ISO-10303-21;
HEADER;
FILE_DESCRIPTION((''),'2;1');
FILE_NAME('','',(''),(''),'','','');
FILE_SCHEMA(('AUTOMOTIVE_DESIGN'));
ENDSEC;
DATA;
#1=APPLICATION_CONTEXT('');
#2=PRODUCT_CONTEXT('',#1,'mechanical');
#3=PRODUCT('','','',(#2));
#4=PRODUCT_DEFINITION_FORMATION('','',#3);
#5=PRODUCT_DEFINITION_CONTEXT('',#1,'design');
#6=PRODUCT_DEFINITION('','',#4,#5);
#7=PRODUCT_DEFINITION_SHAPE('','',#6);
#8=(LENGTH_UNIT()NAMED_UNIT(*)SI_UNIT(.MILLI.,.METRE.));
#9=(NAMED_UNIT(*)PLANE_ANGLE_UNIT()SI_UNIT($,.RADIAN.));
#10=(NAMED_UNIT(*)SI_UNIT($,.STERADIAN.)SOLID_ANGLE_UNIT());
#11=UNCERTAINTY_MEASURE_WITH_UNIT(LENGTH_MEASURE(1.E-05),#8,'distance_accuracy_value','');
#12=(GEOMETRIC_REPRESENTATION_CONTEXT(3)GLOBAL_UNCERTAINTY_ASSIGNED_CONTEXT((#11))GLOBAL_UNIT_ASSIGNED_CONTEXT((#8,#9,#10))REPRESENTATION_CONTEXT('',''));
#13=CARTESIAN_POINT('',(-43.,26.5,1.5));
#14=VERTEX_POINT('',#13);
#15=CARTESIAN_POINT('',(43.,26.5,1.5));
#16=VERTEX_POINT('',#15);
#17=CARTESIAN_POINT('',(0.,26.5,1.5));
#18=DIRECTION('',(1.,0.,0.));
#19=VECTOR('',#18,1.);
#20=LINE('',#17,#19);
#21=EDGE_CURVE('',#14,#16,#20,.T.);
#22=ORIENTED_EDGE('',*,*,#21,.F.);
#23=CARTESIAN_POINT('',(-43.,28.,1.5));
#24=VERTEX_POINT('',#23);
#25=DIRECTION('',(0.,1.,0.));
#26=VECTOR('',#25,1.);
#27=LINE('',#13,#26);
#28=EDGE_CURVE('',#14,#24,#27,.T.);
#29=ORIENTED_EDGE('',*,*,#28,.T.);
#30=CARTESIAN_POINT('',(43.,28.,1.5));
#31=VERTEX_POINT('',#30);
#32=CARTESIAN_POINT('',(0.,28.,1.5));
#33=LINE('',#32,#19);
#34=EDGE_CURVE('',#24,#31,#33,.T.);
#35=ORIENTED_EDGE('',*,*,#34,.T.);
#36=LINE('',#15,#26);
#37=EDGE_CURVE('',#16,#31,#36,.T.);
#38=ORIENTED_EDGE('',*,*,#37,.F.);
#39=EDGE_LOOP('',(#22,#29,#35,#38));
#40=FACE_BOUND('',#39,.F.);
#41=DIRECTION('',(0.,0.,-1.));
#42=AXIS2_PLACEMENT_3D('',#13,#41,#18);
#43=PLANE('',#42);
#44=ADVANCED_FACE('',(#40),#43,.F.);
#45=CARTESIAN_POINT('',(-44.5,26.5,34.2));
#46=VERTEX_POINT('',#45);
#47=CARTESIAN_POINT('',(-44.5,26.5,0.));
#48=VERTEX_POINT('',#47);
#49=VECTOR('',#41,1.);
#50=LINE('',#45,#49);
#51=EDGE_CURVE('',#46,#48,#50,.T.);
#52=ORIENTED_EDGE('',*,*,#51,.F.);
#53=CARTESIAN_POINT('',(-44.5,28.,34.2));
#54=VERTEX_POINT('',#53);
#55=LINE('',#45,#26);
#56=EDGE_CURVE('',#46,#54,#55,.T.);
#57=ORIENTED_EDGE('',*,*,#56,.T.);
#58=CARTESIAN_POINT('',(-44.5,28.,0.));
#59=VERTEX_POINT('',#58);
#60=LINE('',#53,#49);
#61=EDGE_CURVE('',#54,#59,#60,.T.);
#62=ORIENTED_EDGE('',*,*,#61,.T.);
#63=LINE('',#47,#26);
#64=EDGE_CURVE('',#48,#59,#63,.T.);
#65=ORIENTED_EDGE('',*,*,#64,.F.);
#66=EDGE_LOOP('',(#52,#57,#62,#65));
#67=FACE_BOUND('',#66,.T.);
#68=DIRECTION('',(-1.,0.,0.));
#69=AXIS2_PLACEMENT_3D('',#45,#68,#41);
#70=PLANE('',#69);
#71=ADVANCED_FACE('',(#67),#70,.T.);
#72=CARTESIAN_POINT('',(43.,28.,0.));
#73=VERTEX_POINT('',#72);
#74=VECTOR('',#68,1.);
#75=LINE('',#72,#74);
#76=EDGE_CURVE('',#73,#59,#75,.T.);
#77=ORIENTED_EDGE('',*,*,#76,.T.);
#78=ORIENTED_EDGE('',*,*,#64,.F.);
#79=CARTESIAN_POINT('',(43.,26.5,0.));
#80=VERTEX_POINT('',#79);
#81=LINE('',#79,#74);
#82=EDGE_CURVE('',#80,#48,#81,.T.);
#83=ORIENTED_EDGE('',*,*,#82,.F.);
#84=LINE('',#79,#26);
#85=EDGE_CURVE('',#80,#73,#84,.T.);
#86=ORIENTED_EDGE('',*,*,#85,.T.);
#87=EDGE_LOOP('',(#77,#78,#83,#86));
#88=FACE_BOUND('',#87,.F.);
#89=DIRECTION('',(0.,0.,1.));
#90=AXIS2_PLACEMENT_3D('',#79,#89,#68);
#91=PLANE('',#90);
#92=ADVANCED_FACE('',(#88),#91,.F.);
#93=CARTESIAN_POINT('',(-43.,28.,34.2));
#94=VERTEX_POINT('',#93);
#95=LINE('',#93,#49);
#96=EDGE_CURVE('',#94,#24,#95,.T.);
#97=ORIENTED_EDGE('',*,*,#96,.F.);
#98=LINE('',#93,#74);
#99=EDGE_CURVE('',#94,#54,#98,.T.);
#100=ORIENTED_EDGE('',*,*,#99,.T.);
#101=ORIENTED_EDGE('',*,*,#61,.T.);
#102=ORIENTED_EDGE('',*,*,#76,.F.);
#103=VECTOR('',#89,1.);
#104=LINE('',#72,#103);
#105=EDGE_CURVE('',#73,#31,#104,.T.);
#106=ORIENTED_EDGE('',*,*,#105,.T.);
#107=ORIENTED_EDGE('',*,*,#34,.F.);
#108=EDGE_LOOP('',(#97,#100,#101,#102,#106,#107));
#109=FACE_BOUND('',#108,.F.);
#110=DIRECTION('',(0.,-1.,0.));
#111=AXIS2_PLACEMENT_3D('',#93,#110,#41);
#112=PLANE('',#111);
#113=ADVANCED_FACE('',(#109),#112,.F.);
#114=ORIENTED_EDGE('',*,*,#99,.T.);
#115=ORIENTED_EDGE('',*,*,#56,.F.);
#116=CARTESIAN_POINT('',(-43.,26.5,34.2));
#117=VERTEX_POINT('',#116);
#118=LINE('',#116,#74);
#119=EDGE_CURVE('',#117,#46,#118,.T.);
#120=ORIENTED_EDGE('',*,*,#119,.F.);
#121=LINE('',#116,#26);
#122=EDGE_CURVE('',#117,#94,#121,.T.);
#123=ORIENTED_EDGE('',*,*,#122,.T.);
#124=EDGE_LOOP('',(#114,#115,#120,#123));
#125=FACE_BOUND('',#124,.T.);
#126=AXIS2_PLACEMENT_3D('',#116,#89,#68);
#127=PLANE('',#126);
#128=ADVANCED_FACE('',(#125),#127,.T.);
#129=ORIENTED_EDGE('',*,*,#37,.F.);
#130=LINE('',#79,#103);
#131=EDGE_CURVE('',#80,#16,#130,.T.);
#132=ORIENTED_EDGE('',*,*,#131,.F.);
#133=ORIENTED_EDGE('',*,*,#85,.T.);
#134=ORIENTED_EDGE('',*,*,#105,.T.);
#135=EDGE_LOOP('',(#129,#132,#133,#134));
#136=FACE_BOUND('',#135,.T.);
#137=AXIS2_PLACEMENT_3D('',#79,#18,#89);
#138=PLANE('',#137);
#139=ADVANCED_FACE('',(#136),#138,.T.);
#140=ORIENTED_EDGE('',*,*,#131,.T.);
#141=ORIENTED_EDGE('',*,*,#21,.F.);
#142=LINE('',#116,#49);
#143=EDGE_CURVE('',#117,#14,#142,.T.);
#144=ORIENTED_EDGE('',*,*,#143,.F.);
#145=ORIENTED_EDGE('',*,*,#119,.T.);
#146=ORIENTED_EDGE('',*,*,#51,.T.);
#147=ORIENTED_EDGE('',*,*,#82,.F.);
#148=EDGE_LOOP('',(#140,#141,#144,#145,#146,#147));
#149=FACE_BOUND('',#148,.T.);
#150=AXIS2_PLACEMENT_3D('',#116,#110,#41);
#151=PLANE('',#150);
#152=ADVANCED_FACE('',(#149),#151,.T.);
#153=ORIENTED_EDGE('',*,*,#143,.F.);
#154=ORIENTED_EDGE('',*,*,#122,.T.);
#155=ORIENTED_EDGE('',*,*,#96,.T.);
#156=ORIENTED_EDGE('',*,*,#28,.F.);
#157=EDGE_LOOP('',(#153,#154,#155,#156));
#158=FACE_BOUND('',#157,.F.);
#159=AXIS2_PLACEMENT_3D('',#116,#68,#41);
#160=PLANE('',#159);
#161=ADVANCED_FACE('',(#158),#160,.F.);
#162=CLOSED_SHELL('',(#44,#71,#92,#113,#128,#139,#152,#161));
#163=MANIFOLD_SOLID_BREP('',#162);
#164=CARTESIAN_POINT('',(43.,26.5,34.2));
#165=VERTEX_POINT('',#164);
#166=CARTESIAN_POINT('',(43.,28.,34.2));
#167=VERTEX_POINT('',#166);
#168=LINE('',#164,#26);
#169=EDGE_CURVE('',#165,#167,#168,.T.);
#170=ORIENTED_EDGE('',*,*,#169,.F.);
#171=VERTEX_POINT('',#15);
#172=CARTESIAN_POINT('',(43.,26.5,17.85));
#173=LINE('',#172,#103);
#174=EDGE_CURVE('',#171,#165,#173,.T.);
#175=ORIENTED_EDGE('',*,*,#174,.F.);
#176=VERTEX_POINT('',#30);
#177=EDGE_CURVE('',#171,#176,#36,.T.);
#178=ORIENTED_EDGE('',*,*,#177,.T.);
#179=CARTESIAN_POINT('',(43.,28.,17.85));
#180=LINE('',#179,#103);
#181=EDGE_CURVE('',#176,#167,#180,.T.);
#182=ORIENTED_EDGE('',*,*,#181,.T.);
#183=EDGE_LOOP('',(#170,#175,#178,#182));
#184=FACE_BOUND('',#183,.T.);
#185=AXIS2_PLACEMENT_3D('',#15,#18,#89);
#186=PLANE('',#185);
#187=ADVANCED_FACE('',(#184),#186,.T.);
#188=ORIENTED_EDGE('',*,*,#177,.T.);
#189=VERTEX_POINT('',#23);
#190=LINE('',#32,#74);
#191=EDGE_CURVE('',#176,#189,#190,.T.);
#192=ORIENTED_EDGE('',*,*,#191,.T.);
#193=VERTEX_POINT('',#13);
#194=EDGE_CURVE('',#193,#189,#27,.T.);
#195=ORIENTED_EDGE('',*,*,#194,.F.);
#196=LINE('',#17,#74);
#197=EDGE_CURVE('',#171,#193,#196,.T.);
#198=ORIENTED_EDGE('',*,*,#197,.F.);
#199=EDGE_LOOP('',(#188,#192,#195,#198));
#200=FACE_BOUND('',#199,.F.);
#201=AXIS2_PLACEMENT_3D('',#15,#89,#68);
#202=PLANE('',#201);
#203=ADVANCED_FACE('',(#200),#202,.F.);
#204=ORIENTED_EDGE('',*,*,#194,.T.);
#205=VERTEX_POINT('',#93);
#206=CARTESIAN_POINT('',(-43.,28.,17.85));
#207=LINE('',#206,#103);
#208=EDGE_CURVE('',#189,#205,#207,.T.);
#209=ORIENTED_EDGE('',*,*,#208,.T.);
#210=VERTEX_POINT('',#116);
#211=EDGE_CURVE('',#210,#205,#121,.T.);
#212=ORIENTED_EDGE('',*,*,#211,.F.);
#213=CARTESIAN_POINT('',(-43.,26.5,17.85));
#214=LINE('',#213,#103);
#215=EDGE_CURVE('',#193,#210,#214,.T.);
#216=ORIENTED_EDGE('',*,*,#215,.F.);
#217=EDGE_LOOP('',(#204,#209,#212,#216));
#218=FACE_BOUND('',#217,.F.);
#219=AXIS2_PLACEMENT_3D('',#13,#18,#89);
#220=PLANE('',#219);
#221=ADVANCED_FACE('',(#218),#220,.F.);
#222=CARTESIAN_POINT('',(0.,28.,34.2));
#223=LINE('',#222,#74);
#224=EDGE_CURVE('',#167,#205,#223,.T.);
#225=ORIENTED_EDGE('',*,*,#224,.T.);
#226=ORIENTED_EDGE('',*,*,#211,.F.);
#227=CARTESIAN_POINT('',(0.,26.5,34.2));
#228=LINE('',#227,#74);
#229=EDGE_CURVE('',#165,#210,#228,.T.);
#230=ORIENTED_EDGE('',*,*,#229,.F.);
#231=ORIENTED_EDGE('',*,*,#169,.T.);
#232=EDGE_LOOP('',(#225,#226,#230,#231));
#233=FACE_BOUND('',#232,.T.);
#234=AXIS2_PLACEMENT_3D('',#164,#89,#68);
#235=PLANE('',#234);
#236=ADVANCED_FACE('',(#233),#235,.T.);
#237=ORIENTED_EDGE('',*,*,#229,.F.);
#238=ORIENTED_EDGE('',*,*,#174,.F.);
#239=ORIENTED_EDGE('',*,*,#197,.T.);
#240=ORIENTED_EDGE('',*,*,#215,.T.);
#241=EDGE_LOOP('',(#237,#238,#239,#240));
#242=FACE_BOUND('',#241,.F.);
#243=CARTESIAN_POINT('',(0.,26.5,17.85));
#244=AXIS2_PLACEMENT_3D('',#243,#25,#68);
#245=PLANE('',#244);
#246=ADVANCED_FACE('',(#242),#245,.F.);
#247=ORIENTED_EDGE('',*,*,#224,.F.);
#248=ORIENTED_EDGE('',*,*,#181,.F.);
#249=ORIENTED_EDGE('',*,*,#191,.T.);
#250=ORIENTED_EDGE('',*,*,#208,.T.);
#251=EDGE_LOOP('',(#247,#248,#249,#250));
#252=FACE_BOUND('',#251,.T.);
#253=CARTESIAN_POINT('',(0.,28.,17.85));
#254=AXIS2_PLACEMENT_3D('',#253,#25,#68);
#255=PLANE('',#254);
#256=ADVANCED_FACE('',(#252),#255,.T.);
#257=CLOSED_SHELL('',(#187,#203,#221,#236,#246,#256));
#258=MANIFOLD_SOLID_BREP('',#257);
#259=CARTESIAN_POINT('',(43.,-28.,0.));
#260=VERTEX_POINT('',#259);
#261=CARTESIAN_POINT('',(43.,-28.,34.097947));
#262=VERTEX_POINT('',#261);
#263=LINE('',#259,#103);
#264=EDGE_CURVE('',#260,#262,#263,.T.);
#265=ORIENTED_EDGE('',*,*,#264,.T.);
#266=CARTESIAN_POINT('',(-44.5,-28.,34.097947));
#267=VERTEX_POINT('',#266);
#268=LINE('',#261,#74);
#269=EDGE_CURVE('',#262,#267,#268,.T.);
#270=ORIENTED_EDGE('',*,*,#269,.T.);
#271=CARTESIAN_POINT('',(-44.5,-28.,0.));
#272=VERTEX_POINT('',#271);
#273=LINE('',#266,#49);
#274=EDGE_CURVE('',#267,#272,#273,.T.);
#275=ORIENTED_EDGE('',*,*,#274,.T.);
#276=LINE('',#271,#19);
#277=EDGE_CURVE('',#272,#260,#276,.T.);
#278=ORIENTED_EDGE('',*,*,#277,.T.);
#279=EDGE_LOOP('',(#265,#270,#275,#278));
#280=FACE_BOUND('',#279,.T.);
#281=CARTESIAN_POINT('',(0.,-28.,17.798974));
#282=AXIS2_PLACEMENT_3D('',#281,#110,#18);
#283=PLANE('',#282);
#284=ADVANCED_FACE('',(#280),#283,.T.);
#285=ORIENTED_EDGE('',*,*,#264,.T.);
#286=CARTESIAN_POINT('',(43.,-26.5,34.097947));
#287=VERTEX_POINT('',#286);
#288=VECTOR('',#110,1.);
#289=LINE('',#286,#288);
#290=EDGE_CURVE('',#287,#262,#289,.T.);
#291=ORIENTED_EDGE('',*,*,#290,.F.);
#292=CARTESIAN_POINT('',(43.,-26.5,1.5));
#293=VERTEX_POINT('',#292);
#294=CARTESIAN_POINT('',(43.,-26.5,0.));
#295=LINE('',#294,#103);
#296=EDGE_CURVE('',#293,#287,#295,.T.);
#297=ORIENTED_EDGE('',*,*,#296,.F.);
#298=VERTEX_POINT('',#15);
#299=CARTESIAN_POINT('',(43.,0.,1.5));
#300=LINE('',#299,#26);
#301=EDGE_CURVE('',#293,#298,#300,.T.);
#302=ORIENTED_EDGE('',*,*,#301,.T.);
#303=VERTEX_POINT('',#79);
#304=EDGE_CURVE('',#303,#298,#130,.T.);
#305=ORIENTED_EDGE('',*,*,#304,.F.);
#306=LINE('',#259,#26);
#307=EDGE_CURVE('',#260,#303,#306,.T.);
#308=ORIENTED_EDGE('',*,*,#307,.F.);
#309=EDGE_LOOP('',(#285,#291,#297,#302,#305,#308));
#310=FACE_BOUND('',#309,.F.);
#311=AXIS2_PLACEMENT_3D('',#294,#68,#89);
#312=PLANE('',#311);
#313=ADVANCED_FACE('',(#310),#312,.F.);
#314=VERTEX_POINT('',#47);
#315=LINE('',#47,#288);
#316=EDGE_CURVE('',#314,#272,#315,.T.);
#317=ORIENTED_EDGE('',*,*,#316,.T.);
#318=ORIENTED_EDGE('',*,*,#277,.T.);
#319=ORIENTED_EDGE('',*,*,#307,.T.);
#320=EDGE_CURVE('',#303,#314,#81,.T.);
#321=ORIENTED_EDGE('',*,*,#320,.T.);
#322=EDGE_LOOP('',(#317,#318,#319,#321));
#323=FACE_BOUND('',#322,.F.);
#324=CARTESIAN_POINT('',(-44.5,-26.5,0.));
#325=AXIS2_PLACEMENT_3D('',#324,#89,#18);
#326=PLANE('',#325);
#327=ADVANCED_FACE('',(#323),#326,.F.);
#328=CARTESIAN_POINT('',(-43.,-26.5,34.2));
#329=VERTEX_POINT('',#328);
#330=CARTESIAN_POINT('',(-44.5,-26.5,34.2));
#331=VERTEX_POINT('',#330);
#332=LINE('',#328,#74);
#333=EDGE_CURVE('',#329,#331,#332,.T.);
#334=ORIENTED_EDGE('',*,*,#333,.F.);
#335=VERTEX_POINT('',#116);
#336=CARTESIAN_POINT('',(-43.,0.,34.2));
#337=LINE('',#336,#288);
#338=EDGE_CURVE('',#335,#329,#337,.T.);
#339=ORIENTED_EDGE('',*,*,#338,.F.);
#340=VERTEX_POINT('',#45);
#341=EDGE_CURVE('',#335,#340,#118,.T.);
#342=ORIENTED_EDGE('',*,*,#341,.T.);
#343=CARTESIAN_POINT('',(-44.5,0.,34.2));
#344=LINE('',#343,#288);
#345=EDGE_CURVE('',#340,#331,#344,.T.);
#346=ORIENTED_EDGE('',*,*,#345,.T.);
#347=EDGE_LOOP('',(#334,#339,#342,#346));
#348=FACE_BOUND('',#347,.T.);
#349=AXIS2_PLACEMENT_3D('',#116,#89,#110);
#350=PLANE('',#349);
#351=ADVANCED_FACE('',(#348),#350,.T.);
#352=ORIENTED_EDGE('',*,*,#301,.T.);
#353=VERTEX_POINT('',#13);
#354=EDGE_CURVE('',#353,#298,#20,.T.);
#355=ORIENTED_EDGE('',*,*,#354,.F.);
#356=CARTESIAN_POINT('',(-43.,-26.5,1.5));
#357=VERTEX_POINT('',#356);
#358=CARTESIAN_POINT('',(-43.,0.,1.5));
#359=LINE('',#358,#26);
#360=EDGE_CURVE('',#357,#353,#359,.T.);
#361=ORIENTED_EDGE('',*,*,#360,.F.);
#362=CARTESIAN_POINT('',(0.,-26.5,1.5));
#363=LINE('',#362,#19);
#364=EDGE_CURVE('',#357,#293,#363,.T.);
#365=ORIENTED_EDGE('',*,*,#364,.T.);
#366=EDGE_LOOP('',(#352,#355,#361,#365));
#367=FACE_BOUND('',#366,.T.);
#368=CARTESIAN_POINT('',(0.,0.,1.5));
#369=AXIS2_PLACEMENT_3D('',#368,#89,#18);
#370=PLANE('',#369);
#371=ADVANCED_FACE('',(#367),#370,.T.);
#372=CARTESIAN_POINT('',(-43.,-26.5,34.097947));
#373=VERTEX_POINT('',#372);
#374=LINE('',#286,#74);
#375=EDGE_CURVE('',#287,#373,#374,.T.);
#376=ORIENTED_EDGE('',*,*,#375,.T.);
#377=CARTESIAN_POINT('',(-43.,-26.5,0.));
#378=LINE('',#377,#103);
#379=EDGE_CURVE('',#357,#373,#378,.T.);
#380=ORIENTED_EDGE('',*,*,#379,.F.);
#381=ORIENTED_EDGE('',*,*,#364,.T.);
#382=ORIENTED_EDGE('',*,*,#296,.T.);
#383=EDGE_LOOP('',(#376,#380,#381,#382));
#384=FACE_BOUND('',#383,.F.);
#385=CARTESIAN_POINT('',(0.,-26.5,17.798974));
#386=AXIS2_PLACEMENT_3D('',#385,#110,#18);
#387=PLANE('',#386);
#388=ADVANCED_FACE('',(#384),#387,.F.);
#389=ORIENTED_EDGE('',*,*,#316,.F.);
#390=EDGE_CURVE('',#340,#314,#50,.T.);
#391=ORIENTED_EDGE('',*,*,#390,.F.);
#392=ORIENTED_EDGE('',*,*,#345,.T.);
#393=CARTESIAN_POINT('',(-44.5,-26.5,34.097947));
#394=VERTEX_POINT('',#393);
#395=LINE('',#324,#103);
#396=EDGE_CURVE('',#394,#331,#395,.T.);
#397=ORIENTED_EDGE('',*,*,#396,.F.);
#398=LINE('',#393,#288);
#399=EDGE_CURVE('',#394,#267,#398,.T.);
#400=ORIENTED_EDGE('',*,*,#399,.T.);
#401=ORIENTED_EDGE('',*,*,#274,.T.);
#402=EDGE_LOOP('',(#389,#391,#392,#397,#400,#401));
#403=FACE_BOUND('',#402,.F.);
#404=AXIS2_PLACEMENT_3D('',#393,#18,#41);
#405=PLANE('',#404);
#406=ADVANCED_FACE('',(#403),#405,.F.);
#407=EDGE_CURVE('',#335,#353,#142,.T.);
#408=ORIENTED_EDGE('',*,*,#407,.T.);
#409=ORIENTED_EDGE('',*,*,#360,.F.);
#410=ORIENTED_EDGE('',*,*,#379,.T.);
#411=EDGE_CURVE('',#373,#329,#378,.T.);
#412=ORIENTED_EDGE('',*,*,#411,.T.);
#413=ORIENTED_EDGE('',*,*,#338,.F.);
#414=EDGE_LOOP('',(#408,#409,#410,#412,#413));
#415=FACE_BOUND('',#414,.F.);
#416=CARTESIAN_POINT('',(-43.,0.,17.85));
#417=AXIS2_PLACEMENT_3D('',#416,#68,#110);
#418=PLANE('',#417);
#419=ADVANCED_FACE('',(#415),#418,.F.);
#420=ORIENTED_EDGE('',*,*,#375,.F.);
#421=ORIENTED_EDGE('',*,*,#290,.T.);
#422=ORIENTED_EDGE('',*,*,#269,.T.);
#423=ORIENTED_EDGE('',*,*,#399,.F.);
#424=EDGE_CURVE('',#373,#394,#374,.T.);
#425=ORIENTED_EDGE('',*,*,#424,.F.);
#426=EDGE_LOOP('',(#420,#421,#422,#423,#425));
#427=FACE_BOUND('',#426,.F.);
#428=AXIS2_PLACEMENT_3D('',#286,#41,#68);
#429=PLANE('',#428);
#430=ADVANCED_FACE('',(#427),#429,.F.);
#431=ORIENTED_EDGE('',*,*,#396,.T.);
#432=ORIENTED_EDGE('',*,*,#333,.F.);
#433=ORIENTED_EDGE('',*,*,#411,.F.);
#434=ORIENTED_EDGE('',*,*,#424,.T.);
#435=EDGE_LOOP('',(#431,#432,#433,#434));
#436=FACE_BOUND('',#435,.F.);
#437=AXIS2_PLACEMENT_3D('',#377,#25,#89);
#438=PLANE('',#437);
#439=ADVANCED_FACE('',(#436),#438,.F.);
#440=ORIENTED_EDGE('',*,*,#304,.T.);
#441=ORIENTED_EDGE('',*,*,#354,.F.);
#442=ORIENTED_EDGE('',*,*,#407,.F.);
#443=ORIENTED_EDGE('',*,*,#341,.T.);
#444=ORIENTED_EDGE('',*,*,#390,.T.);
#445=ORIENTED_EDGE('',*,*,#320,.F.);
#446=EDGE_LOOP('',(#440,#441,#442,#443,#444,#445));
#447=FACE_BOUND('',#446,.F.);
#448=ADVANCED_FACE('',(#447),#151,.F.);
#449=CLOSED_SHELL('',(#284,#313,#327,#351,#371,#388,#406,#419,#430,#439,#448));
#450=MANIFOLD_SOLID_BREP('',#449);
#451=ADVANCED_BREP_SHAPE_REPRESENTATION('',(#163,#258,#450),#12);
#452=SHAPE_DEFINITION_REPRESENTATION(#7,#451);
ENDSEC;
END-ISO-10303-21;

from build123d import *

# Parameters (mm, degrees)
F0_W     = 86
F0_H     = 53
F1_DEPTH = 1.5
F2_W     = 53
F2_H     = 32.7
F2_H_2   = 1.5
F3_DEPTH = 1.5
F4_W     = 86
F4_H     = 32.7
F5_DEPTH = 1.5
F6_DEPTH = 1.5
F7_W     = 86
F7_H     = 32.5979471803
F8_DEPTH = 1.5


with BuildPart() as f1:
    # F0 (on Top) → F1 (new body)
    with BuildSketch(Plane.XY):
        Rectangle(F0_W, F0_H)
    extrude(amount=F1_DEPTH)

    # F2 (on face) → F3 (join)
    with BuildSketch(Plane(origin=(-43, 0, 0), x_dir=(0, -1, 0), z_dir=(-1, 0, 0))):
        with Locations((0, 17.85)):
            Rectangle(F2_W, F2_H)
        with Locations((0, 0.75)):
            Rectangle(F2_W, F2_H_2)
    extrude(amount=F3_DEPTH)


with BuildPart() as f5:
    # F4 (on face) → F5 (new body)
    with BuildSketch(Plane(origin=(0, 26.5, 0), x_dir=(-1, 0, 0), z_dir=(0, 1, 0))):
        with Locations((0, 17.85)):
            Rectangle(F4_W, F4_H)
    extrude(amount=F5_DEPTH)


with BuildPart() as f6:
    # F6 (new): a face of the model
    f6_faces = [f1.part.faces().sort_by_distance(p)[0] for p in [
        (42.0605379199, 26.5, 0.75),
    ]]
    extrude(f6_faces, amount=F6_DEPTH)


with BuildPart() as f1_1:
    add(f1.part)

    # F7 (on face) → F8 (join)
    with BuildSketch(Plane.XZ.offset(26.5)):
        with Locations((0, 17.7989735901)):
            Rectangle(F7_W, F7_H)
        Polygon((-44.5, 34.0979471803), (-44.5, 0), (43, 0), (43, 1.5), (-43, 1.5), (-43, 34.0979471803), align=None)
    extrude(amount=F8_DEPTH)


solid = Compound([f5.part, f6.part, f1_1.part])
